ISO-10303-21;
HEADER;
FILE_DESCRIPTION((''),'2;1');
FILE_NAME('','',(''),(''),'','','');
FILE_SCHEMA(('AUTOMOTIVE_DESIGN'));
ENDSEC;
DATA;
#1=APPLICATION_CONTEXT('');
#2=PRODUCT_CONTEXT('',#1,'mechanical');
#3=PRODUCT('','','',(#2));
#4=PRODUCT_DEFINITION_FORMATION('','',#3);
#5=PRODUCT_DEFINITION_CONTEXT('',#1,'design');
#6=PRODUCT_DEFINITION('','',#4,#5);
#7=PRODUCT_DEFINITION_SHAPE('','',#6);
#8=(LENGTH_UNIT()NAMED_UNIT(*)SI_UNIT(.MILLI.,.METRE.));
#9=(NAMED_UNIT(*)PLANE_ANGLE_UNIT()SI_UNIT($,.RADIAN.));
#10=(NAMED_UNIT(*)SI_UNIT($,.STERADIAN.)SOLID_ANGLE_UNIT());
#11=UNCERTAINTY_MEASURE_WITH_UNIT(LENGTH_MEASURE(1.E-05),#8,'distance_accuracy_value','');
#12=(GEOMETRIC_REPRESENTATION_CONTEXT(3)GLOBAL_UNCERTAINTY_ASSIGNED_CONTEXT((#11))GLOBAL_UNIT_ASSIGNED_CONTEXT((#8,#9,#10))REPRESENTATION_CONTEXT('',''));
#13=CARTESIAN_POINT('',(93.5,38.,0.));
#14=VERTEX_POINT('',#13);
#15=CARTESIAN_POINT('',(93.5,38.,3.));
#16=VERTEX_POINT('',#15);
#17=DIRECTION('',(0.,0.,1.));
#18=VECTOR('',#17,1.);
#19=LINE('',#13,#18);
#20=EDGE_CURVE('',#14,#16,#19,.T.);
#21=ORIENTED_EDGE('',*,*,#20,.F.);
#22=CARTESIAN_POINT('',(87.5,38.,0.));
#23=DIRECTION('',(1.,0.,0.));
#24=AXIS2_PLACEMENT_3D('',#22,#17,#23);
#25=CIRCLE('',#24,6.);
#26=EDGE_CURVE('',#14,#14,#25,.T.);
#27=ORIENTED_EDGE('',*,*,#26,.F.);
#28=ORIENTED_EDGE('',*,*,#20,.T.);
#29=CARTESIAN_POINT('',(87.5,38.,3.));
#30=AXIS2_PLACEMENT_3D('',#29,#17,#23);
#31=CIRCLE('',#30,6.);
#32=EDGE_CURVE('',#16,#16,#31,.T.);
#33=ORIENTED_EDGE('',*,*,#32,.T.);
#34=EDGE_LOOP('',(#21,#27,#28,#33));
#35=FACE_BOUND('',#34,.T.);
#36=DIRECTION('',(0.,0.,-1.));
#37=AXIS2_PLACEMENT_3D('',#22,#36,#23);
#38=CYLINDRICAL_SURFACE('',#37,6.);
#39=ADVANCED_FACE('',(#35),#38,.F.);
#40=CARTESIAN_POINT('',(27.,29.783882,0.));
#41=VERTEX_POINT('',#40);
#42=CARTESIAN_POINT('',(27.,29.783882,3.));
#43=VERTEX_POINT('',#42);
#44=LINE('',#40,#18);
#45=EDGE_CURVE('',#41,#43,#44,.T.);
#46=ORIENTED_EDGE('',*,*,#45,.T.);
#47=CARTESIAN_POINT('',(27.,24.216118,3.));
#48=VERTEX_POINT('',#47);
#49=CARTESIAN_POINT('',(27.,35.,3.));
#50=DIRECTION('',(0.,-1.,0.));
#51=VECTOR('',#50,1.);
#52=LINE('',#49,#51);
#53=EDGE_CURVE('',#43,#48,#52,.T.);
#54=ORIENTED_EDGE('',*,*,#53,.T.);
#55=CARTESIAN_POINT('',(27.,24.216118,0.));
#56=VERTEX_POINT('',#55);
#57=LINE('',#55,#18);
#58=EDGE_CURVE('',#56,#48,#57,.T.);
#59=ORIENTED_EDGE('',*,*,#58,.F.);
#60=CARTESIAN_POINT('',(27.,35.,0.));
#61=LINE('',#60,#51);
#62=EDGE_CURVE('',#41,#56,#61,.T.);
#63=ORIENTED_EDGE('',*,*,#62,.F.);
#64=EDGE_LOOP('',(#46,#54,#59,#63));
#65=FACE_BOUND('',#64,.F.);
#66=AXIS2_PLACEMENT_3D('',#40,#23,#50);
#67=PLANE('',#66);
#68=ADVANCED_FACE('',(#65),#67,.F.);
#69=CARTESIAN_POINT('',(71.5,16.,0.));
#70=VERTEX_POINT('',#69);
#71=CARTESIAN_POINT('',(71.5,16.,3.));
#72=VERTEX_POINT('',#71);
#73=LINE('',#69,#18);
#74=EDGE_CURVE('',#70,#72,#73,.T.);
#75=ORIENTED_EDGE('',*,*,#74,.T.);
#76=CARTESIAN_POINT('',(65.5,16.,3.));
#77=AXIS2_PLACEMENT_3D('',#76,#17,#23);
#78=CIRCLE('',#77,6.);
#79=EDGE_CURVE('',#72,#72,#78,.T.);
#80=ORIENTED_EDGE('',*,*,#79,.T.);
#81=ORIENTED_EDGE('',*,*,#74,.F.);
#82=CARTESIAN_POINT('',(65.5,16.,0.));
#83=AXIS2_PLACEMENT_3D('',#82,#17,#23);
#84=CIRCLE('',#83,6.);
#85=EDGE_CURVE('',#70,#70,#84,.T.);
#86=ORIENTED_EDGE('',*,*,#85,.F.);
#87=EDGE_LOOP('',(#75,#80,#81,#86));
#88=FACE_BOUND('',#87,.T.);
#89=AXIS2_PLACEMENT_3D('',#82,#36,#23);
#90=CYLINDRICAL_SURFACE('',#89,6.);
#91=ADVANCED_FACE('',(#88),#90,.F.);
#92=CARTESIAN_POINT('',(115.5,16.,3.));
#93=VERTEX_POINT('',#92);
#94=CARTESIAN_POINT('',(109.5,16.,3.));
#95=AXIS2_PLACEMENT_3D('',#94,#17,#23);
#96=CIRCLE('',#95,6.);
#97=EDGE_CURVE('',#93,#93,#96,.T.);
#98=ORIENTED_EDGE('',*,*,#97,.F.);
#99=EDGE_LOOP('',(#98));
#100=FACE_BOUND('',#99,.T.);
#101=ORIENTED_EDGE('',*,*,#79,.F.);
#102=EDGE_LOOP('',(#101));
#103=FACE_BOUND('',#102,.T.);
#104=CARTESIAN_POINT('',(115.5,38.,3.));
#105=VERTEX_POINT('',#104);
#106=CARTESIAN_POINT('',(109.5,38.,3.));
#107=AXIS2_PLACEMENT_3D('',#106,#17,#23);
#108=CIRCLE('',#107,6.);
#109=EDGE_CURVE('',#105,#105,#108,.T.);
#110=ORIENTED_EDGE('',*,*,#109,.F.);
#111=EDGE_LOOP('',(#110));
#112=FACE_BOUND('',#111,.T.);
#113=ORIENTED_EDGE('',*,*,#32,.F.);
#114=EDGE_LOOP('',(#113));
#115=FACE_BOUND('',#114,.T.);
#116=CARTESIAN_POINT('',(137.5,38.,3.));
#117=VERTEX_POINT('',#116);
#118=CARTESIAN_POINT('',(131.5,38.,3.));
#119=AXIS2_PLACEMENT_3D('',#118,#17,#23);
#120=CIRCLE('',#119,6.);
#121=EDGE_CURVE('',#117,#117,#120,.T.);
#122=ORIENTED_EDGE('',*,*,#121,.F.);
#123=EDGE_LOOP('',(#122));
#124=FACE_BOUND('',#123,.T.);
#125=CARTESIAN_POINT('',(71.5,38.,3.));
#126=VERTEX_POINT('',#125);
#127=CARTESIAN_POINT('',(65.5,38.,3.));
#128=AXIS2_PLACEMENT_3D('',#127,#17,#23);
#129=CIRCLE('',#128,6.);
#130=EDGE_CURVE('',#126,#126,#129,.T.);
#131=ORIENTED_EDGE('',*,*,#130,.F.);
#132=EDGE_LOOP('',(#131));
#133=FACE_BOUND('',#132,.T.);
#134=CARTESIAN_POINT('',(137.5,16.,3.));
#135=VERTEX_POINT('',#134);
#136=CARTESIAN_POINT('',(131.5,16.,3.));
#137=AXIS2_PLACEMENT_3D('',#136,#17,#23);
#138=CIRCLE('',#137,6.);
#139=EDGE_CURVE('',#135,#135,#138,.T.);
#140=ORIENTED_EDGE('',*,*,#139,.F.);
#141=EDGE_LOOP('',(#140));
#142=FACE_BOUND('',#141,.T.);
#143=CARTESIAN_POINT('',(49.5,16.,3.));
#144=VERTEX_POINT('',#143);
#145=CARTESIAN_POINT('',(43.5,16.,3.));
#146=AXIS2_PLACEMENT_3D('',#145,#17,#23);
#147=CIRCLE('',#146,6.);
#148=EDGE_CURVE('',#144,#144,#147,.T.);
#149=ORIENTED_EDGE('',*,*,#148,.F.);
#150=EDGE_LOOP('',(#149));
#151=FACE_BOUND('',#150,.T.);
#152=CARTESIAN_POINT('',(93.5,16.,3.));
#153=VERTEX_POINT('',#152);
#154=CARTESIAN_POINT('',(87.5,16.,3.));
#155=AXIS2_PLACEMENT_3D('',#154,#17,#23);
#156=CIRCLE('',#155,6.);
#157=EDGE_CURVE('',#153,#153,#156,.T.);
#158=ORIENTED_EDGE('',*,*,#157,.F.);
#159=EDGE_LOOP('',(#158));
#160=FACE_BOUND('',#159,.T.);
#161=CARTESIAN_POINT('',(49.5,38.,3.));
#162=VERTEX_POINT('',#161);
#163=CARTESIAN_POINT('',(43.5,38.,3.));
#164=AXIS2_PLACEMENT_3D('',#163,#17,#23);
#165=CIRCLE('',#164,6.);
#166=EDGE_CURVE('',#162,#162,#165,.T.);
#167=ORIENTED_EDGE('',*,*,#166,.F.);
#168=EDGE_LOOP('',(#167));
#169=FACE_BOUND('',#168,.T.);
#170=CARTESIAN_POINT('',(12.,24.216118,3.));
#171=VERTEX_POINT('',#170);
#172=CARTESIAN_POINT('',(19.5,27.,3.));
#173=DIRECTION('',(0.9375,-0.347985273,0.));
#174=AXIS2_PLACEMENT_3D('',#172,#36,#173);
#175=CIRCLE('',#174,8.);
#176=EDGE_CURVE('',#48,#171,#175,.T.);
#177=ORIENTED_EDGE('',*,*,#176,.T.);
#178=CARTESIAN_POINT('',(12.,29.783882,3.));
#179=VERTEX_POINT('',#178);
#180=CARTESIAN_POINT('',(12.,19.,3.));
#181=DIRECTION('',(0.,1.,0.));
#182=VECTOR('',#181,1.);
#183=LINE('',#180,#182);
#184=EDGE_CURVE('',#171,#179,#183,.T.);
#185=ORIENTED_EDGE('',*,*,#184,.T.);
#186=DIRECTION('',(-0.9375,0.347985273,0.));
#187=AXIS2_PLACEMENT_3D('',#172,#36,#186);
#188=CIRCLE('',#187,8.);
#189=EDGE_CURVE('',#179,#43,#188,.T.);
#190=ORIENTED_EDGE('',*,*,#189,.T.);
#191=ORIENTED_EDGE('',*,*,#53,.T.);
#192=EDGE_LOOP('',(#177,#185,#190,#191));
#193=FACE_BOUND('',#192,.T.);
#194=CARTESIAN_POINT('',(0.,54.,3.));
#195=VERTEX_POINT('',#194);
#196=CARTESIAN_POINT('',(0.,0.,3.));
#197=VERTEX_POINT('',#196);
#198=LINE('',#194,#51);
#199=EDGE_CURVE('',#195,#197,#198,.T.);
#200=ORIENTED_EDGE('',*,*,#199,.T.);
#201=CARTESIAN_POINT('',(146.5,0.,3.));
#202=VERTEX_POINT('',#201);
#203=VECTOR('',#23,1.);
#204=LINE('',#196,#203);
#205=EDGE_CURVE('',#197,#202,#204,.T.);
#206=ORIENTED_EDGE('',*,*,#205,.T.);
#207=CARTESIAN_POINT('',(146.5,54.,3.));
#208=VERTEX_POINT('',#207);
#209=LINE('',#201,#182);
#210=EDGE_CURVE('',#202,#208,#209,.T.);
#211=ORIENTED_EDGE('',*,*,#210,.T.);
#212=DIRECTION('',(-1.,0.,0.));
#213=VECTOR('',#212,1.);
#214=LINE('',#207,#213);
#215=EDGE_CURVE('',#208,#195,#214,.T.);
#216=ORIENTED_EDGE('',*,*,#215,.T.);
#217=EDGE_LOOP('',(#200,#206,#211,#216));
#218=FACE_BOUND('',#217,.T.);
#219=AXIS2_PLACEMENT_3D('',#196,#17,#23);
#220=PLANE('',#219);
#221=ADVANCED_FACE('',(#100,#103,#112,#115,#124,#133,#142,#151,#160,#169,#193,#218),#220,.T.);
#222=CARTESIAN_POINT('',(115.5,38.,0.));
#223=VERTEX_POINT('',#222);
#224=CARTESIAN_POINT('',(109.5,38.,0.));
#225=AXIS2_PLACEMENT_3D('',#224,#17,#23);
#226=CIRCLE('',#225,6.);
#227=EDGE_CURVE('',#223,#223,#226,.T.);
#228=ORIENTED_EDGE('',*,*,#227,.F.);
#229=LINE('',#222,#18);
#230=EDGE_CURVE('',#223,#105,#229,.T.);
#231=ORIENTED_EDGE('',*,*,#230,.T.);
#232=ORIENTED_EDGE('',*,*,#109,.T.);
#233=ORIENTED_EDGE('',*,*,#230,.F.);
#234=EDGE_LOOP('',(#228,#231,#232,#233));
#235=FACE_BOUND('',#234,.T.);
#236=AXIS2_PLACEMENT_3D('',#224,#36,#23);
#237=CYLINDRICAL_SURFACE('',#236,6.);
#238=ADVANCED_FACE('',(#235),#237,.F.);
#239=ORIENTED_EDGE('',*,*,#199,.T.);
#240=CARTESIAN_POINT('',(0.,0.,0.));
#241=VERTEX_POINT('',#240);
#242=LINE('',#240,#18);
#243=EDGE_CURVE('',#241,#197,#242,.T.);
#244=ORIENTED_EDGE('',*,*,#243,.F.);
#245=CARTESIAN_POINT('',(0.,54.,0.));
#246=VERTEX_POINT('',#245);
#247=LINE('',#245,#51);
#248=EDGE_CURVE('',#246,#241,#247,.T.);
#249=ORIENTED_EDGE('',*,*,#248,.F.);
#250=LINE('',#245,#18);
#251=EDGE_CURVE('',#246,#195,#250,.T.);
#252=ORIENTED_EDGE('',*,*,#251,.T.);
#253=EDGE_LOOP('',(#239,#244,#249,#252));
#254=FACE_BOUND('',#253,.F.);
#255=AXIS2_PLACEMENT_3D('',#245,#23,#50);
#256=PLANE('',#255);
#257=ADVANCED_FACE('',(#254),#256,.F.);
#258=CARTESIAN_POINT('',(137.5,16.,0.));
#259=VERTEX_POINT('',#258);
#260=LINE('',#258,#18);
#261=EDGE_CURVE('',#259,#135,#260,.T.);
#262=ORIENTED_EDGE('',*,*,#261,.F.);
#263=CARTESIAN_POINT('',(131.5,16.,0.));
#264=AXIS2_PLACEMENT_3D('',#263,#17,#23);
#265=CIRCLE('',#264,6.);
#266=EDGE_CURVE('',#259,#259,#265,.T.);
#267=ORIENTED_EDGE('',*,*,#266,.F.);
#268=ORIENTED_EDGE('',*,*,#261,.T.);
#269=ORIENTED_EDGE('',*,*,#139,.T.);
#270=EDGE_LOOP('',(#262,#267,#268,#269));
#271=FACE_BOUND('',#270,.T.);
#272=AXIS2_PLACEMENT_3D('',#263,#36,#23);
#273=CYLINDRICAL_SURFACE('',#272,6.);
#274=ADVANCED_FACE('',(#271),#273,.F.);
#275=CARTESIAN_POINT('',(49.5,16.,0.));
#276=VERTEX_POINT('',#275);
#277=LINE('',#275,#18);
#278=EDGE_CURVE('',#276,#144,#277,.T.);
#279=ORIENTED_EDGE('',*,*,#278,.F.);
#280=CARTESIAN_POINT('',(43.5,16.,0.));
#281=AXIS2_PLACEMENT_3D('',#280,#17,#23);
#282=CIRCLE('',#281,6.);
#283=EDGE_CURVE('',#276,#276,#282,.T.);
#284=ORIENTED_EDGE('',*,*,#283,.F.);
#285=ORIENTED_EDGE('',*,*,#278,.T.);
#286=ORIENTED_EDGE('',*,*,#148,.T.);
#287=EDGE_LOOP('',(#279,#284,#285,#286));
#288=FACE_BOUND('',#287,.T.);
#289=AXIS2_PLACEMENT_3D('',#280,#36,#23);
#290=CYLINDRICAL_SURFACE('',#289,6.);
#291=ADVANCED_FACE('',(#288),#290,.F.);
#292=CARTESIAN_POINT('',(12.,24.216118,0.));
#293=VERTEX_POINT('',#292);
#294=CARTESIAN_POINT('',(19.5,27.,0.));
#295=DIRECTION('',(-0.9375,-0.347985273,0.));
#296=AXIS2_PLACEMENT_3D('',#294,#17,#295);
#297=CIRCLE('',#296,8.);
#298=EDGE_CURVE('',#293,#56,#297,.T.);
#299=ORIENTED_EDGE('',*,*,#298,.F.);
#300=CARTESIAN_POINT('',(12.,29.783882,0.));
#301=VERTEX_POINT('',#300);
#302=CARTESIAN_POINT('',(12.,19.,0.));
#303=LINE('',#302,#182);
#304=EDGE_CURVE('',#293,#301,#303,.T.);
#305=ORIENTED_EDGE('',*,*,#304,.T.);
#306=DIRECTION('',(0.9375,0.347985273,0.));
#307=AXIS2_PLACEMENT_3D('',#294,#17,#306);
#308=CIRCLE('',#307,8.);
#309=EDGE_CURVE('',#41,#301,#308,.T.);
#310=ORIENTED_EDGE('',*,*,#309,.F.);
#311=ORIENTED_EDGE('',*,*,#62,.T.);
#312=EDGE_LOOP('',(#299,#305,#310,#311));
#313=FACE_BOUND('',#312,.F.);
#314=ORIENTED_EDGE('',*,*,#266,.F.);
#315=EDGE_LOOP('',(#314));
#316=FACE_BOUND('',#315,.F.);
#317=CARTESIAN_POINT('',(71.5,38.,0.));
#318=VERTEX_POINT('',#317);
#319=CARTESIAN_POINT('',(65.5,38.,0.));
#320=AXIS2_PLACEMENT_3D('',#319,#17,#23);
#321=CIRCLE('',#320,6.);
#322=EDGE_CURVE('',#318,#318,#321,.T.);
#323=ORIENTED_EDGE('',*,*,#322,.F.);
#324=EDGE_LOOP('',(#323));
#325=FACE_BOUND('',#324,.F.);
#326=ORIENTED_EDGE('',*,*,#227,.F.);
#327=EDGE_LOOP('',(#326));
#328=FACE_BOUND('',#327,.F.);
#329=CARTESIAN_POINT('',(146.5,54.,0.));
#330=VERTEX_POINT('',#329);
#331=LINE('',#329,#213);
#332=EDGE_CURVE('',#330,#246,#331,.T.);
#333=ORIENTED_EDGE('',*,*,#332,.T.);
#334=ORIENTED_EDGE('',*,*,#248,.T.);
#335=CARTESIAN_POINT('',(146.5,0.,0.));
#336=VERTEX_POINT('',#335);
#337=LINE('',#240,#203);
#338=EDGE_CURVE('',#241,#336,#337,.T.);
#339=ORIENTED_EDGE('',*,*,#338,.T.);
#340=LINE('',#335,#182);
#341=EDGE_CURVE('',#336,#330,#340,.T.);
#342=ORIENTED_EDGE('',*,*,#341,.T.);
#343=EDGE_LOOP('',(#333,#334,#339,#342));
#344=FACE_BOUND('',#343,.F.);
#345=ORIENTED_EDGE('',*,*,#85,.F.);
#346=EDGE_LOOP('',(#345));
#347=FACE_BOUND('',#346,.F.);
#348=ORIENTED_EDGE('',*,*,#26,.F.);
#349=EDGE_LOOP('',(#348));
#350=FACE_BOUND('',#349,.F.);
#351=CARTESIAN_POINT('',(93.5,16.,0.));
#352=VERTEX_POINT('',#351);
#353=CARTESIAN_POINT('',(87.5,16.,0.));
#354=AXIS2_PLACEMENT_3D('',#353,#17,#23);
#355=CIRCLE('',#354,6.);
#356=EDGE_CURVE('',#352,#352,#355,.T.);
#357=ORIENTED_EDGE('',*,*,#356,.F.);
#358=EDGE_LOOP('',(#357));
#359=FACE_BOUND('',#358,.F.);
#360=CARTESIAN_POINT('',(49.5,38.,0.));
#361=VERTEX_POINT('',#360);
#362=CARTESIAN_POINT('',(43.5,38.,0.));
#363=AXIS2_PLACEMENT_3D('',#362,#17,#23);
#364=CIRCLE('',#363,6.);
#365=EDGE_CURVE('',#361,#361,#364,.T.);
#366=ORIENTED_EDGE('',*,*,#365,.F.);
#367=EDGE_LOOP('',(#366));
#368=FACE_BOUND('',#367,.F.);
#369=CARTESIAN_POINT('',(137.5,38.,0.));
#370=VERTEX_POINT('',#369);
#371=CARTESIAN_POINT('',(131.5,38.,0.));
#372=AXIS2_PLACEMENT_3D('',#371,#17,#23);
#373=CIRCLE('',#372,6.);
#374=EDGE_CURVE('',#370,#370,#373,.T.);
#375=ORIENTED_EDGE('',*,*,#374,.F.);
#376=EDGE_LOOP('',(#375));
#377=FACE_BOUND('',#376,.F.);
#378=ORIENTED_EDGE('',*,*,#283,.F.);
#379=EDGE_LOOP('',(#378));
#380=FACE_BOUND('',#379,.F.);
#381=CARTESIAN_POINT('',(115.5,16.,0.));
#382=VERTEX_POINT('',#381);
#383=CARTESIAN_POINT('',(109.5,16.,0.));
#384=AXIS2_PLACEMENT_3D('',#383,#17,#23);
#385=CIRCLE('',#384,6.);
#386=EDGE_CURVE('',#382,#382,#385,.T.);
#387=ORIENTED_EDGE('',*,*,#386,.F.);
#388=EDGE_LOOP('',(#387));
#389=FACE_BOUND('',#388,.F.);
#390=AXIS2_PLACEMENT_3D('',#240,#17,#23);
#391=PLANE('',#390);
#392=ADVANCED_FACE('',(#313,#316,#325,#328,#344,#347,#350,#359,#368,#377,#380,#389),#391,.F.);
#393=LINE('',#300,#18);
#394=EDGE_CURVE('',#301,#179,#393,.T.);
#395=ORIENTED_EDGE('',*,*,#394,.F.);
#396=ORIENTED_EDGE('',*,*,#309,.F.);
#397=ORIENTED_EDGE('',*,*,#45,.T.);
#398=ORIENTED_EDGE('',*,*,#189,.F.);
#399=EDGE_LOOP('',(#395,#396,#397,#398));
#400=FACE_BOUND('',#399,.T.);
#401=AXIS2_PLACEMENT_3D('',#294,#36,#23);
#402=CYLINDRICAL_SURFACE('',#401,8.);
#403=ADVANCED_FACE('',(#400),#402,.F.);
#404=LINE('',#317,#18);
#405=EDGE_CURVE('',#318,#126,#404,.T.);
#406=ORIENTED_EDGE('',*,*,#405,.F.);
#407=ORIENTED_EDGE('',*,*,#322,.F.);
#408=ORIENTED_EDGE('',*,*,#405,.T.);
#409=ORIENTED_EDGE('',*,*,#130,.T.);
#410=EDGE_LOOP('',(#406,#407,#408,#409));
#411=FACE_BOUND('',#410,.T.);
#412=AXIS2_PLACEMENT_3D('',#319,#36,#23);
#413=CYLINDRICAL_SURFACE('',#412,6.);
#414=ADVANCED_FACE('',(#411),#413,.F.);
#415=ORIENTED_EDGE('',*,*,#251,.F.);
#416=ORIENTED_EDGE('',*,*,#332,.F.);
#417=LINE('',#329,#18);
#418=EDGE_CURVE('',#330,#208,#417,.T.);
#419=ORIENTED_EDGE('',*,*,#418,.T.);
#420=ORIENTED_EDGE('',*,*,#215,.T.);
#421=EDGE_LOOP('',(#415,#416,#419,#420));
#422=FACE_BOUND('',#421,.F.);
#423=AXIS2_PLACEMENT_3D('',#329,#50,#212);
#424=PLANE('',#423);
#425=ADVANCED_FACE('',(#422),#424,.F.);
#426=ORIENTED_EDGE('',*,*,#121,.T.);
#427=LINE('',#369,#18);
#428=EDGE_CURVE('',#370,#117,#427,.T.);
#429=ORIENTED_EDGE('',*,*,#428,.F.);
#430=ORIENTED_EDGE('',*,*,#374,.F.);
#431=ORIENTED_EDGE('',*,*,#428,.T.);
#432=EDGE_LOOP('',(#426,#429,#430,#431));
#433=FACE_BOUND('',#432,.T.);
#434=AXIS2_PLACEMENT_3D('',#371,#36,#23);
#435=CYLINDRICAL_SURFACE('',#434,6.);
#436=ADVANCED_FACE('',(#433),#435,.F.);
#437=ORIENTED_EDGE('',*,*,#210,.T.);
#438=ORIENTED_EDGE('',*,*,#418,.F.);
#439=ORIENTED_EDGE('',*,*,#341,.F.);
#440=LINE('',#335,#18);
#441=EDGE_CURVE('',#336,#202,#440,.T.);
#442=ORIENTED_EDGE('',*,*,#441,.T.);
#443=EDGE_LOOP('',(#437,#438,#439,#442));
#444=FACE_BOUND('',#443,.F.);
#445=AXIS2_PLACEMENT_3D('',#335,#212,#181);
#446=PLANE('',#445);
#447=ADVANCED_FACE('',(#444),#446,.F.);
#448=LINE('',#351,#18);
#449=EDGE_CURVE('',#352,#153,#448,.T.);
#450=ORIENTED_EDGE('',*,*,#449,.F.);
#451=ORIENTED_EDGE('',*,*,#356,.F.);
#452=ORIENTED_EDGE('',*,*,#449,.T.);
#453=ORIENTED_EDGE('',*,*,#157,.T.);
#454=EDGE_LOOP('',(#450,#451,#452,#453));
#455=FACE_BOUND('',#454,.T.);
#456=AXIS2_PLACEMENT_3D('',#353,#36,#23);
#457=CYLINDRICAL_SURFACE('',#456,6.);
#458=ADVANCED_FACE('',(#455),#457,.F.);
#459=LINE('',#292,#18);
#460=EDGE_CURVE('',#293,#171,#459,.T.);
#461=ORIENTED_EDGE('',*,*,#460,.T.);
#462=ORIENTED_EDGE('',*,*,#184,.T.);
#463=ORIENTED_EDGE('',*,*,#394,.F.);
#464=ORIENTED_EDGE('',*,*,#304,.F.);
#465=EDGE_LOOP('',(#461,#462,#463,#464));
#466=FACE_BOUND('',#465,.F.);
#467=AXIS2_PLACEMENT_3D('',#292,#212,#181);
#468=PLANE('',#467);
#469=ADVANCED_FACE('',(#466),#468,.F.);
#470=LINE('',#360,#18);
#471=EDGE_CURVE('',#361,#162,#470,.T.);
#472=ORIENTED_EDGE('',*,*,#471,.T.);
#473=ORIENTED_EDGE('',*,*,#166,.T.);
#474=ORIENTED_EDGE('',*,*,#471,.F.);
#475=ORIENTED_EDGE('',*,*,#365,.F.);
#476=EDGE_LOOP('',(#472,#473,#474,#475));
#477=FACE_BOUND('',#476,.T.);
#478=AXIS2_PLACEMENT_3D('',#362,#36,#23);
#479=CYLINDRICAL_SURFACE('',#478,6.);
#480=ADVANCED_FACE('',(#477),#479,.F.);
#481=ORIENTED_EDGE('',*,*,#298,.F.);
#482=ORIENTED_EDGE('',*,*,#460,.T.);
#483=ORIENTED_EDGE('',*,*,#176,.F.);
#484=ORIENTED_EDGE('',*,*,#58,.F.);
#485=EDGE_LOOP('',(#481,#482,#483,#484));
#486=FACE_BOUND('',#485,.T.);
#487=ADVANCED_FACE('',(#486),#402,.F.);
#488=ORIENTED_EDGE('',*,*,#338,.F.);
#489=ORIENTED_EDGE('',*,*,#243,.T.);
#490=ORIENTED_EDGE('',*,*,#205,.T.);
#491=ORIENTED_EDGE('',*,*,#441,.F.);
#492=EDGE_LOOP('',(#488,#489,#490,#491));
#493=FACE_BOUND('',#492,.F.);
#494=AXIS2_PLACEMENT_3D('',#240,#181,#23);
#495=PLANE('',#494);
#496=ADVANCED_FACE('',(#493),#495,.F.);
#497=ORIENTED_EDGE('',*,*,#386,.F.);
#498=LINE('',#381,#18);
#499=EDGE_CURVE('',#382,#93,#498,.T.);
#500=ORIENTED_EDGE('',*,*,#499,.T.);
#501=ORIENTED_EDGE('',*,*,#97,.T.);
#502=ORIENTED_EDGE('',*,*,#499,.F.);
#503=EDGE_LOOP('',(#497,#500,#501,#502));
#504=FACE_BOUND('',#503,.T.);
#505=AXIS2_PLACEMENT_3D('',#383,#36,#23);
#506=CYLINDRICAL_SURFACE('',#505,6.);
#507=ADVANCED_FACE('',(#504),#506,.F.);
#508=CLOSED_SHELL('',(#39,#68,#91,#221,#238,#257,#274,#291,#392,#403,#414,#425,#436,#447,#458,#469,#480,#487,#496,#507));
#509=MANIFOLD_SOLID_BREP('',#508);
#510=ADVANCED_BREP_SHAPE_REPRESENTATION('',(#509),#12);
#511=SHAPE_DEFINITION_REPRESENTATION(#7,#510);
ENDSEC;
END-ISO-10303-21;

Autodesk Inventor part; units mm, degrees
ref_plane "YZ Plane" through (0, 0, 0) normal (1, 0, 0) x (0, 1, 0)
ref_plane "XZ Plane" through (0, 0, 0) normal (0, 1, 0) x (-1, 0, 0)
ref_plane "XY Plane" through (0, 0, 0) normal (0, 0, 1) x (1, 0, 0)
sketch "Sketch1" plane through (0, 0, 0) normal (0, 0, 1) x (1, 0, 0)
  line L0 (0, 0) -> (146.5, 0)
  line L1 (146.5, 0) -> (146.5, 54)
  line L2 (146.5, 54) -> (0, 54)
  line L3 (0, 54) -> (0, 0)
  circle A0 centre (43.5, 16) radius 6
  circle A1 centre (65.5, 16) radius 6
  circle A2 centre (87.5, 16) radius 6
  circle A3 centre (109.5, 16) radius 6
  circle A4 centre (131.5, 16) radius 6
  circle A5 centre (43.5, 38) radius 6
  circle A6 centre (65.5, 38) radius 6
  circle A7 centre (87.5, 38) radius 6
  circle A8 centre (109.5, 38) radius 6
  circle A9 centre (131.5, 38) radius 6
  circle A10 centre (19.5, 27) radius 8
  line L4 (27, 19) -> (12, 19)
  line L5 (12, 19) -> (12, 35)
  line L6 (12, 35) -> (27, 35)
  line L7 (27, 35) -> (27, 19)
  line L8 (27, 19) -> (12, 35) construction
  line L9 (12, 19) -> (27, 35) construction
  point P0 (27, 24.2161)
  point P1 (12, 24.2161)
  point P2 (12, 29.7839)
  point P3 (27, 29.7839)
  dimension "d0" = 12
  dimension "d3" = 22
  dimension "d6" = 22
  dimension "d9" = 16
  dimension "d10" = 16
  dimension "d11" = 15
  dimension "d12" = 16
  dimension "d13" = 15
  dimension "d14" = 24
  dimension "d15" = 19.5
  dimension "d16" = 67
  dimension "d17" = 27
extrude "Extrusion1" add sketch "Sketch1" along normal blind 3 contours L3 L2 L1 L0 | A10 L7 | A10 L6 L7 | L7 L4 A10 | A10 L5 L6 | L4 L5 A10 | L5 A10
properties part number "button-front"
